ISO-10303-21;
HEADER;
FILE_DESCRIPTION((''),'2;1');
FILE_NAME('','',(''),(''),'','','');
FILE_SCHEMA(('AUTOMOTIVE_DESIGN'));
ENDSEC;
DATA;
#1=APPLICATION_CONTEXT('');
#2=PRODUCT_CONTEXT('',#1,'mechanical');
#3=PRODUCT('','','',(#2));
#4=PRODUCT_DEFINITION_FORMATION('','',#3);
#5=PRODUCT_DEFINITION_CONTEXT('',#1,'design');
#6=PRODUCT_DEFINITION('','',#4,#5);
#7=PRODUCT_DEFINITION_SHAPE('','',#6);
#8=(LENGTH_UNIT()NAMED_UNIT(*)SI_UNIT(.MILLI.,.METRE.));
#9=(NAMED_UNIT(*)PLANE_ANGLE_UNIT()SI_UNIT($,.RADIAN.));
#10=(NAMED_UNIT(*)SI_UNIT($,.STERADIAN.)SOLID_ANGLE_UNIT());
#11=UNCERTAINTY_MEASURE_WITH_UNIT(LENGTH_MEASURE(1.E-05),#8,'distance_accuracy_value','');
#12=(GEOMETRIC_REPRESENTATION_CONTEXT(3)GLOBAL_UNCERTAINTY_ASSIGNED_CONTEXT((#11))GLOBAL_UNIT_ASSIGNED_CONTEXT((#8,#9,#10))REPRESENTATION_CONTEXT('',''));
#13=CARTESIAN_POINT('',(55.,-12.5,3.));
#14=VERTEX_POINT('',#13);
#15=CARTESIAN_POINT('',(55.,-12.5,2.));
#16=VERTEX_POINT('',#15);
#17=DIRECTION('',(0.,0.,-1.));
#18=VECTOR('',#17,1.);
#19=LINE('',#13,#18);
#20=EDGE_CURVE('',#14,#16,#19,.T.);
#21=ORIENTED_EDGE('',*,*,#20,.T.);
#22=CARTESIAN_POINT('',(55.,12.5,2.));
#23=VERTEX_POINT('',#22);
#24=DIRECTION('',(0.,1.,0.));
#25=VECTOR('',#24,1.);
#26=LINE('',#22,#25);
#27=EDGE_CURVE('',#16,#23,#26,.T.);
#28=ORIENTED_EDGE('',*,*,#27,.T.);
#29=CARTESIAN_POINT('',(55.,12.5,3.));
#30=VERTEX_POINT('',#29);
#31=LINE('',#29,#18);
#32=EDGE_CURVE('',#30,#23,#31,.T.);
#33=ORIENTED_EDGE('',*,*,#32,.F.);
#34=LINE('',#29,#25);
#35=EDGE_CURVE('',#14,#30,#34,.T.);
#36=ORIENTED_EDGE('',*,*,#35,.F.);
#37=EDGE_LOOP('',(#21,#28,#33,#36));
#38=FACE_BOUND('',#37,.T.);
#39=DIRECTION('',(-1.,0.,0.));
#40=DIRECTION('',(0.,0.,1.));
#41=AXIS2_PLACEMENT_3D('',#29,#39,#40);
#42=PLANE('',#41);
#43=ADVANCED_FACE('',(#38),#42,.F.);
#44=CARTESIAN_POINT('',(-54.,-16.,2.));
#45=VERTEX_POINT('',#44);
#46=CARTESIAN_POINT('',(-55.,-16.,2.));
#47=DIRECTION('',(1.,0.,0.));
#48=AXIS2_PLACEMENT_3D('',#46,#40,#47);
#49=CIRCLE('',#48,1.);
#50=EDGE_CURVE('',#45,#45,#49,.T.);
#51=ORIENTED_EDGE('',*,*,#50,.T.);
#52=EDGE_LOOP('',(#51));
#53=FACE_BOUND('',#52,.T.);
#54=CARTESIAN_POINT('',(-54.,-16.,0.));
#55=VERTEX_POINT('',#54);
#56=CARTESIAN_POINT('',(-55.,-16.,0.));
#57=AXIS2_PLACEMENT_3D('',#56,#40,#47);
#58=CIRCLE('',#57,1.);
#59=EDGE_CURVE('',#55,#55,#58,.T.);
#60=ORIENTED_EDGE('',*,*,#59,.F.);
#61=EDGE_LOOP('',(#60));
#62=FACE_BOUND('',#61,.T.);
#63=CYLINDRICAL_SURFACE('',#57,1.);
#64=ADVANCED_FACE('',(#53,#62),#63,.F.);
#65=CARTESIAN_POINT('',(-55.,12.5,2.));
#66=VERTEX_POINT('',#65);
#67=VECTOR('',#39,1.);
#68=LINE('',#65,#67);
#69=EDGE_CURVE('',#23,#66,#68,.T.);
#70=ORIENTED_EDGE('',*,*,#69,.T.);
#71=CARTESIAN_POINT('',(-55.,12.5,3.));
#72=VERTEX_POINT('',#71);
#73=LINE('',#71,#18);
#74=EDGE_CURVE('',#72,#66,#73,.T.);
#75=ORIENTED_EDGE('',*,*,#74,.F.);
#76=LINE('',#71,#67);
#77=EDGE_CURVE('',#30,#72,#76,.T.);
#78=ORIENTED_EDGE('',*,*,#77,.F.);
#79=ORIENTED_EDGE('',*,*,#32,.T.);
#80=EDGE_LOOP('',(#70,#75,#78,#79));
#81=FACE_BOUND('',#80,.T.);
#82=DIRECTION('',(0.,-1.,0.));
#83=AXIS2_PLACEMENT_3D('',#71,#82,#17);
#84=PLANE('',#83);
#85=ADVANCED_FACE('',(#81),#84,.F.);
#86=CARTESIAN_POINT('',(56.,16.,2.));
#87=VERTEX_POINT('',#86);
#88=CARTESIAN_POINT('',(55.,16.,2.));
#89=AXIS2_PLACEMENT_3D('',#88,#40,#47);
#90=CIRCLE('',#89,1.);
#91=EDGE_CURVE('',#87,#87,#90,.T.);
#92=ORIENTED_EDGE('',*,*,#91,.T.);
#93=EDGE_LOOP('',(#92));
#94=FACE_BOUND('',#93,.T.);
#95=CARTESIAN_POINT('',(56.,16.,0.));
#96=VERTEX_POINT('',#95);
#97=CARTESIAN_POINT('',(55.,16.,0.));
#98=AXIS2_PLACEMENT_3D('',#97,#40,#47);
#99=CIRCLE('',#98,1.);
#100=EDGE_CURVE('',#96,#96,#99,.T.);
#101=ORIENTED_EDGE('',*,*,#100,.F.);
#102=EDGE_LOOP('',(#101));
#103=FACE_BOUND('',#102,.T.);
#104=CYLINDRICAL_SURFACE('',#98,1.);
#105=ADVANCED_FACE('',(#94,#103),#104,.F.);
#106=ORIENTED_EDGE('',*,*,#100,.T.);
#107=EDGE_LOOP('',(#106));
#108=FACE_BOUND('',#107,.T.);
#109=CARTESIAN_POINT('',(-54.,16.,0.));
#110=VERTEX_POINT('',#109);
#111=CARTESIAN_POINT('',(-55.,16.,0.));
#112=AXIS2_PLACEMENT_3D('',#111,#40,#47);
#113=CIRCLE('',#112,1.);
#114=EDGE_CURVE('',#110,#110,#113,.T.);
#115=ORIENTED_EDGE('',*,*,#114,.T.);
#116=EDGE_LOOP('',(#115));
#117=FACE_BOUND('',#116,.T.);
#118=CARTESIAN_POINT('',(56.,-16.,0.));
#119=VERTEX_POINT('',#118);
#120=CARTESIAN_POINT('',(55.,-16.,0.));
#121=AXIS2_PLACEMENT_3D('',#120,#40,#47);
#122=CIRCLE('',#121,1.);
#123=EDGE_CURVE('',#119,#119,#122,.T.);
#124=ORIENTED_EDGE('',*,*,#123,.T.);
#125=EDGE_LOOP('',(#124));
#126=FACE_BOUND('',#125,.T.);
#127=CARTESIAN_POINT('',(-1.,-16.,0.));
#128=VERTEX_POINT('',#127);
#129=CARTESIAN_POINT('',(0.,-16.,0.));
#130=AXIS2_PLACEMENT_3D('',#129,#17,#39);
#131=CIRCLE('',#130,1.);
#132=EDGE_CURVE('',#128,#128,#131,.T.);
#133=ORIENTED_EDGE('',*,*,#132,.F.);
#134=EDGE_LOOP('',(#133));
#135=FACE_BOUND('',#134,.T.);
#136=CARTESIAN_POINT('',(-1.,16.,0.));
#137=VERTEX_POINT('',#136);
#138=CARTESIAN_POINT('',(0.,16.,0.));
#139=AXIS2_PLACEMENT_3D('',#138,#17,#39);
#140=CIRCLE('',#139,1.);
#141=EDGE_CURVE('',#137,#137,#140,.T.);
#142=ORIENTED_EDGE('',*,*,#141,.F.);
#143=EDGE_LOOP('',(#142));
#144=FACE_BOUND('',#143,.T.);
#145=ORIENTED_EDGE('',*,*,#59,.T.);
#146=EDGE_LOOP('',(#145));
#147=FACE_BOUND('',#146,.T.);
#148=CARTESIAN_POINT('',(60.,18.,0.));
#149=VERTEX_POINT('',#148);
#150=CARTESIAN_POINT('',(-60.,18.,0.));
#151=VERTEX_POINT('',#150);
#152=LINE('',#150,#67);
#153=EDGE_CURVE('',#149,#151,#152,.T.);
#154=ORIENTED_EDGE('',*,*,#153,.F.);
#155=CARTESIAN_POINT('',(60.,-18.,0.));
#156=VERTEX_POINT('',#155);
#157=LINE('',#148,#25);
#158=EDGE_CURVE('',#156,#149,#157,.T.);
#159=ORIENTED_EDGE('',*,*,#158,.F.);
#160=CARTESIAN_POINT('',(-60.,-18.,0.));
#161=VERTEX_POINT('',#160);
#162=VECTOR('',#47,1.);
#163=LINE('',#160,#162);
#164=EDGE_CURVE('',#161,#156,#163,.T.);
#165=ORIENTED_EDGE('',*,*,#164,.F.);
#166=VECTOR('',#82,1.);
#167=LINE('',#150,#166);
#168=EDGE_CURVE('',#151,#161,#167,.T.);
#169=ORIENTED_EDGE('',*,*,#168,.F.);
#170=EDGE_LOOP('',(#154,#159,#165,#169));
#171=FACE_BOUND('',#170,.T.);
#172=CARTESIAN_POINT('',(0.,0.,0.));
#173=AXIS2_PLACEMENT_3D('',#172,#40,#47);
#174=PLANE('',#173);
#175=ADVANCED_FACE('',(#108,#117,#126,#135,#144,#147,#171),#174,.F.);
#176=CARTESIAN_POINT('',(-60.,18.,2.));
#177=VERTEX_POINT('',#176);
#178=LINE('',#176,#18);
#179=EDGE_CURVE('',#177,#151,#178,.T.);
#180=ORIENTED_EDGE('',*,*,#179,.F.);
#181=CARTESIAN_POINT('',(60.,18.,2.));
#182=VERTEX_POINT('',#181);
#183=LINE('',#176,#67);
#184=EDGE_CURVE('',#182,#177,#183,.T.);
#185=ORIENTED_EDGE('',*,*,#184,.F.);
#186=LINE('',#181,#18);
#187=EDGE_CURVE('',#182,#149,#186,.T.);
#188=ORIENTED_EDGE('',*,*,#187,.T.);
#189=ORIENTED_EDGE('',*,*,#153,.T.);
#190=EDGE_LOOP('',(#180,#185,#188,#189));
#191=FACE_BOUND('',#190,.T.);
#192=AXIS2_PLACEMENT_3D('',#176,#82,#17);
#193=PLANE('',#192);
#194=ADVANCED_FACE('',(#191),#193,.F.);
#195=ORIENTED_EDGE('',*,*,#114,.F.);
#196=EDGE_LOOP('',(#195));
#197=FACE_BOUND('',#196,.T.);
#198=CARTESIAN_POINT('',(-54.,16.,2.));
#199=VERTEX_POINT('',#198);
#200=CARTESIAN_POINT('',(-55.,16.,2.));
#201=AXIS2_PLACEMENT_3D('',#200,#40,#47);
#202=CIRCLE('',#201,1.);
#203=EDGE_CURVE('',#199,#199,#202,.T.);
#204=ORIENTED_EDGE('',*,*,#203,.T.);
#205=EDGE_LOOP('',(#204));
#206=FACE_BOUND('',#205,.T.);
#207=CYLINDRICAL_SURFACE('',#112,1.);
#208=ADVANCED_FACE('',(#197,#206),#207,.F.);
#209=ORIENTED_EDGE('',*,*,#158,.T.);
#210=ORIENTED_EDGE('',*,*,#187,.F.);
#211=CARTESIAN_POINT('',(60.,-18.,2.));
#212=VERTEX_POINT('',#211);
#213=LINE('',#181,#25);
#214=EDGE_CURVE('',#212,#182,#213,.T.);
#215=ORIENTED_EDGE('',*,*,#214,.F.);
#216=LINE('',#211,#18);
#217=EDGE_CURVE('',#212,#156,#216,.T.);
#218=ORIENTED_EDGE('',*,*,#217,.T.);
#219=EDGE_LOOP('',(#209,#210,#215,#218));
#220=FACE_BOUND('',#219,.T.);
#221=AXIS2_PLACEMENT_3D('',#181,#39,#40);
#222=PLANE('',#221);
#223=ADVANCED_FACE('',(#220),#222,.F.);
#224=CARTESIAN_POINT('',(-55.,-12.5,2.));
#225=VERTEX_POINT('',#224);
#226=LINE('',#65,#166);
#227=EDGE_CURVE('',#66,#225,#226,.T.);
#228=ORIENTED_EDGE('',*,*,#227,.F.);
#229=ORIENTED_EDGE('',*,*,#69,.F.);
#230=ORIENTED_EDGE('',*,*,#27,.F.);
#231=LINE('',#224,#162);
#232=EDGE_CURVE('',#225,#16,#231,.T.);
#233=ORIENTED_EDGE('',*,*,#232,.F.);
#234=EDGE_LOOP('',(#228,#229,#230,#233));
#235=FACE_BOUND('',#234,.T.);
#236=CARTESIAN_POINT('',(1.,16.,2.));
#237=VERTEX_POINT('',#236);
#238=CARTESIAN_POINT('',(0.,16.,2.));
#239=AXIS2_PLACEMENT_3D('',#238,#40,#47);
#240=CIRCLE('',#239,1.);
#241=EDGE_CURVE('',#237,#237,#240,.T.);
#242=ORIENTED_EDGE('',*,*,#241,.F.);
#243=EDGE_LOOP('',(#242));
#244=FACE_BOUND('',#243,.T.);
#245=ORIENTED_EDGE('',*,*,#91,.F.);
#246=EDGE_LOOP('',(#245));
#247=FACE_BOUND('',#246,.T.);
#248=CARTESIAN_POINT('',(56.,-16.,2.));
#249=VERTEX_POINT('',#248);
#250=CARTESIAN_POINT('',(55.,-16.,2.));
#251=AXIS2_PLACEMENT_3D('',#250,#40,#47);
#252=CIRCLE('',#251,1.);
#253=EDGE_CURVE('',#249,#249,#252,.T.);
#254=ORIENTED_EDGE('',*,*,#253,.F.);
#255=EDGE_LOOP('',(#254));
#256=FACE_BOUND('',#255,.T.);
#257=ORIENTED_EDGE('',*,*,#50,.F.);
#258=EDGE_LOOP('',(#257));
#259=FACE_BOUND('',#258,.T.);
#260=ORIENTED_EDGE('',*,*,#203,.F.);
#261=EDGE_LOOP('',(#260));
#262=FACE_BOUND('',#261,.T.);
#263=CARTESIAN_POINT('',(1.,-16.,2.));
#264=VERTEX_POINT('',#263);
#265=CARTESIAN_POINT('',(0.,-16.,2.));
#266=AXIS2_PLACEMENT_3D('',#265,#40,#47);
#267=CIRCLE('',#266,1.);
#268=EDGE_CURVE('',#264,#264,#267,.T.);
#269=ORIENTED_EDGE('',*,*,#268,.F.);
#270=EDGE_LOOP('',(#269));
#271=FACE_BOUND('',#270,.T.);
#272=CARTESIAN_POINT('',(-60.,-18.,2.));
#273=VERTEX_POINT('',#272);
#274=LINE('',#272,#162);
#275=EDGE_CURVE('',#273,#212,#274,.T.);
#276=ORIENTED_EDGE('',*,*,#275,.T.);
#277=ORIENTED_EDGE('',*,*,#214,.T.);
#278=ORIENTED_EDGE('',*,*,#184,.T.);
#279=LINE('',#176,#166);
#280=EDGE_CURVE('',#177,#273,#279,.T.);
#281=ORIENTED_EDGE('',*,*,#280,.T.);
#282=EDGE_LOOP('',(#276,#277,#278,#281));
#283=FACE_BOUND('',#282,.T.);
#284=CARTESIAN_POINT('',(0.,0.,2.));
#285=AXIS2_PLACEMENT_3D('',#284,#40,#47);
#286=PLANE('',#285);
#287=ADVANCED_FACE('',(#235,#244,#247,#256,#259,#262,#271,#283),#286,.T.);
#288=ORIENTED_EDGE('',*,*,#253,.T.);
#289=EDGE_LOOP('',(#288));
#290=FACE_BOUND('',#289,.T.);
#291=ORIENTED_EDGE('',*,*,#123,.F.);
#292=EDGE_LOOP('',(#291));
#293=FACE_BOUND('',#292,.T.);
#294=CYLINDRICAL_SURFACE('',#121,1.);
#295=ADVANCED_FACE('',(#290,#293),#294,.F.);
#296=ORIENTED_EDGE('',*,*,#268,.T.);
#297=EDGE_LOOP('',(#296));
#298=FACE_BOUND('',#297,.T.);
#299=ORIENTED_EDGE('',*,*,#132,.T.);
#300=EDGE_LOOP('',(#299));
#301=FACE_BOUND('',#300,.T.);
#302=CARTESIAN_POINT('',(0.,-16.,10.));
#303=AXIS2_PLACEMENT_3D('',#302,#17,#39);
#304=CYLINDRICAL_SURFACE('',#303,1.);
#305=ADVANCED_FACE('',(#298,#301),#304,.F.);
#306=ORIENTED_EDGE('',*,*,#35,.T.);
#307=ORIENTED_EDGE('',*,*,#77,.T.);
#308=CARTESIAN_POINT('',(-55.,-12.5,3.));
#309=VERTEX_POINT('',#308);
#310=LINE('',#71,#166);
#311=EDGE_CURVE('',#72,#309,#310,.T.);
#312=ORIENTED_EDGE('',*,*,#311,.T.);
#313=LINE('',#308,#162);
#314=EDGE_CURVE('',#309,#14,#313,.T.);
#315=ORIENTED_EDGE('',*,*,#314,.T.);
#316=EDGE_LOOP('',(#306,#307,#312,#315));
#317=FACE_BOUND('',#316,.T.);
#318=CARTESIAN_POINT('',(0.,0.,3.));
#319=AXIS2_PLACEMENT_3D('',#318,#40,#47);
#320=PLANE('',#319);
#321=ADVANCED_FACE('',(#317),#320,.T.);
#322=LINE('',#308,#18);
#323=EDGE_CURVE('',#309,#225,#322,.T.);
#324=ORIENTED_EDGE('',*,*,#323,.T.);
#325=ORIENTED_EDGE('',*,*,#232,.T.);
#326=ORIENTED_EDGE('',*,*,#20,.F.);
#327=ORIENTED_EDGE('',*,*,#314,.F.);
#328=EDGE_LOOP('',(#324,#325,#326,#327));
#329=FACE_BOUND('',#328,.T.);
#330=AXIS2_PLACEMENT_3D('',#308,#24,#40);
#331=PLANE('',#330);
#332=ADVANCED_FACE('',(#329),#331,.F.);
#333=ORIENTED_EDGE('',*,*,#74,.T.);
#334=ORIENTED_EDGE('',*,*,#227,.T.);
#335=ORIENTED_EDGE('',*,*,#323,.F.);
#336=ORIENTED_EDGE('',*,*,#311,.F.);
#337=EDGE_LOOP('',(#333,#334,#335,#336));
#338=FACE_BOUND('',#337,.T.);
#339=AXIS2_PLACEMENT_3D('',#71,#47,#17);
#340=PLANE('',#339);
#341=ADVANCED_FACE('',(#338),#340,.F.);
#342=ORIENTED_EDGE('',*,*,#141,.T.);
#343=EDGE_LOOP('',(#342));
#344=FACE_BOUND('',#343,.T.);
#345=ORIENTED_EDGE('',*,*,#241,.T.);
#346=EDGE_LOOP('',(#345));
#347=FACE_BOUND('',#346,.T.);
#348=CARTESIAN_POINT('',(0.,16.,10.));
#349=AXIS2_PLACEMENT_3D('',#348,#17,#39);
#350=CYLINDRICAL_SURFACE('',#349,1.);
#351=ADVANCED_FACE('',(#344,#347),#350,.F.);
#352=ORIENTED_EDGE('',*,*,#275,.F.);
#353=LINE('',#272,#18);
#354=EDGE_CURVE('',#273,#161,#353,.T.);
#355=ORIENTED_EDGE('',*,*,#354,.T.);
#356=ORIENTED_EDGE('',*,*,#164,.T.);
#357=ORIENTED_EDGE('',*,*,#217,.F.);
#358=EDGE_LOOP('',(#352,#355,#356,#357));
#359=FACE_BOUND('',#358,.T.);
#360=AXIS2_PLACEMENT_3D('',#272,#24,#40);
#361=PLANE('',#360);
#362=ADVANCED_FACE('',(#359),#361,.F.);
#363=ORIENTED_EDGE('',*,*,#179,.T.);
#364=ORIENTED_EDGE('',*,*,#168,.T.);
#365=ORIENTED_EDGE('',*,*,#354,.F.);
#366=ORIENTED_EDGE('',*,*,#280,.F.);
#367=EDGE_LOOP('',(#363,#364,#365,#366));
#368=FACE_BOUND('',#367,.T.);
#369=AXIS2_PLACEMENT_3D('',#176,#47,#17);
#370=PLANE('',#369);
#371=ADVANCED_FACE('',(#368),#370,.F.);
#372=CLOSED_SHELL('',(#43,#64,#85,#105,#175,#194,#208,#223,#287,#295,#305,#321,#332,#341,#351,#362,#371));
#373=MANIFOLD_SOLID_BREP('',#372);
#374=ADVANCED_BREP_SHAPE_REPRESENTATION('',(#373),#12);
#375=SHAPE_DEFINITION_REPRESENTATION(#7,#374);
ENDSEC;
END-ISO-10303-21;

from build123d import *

# Parameters (mm, degrees)
SKETCH1_W           = 120
SKETCH1_H           = 36
BOSS_EXTRUDE1_DEPTH = 2
SKETCH2_W           = 110
SKETCH2_H           = 25
BOSS_EXTRUDE2_DEPTH = 1
SKETCH3_R           = 1
CUT_EXTRUDE1_DEPTH  = 63.673758464
SKETCH4_R           = 1
CUT_EXTRUDE2_DEPTH  = 10


with BuildPart() as part:
    # Sketch1 → Boss-Extrude1 (new body)
    with BuildSketch(Plane.XY):
        Rectangle(SKETCH1_W, SKETCH1_H)
    extrude(amount=BOSS_EXTRUDE1_DEPTH)

    # Sketch2 → Boss-Extrude2 (add)
    with BuildSketch(Plane.XY.offset(2)):
        Rectangle(SKETCH2_W, SKETCH2_H)
    extrude(amount=BOSS_EXTRUDE2_DEPTH)

    # Sketch3 → Cut-Extrude1 (cut, through all)
    with BuildSketch(Plane.XY.offset(2)):
        with Locations((-55, 16)):
            Circle(SKETCH3_R)
        with Locations((-55, -16)):
            Circle(SKETCH3_R)
        with Locations((55, 16)):
            Circle(SKETCH3_R)
        with Locations((55, -16)):
            Circle(SKETCH3_R)
    extrude(amount=-CUT_EXTRUDE1_DEPTH, mode=Mode.SUBTRACT)

    # Sketch4 → Cut-Extrude2 (cut)
    with BuildSketch(Plane(origin=(0, 0, 0), x_dir=(-1, 0, 0), z_dir=(0, 0, -1))):
        with Locations((0, 16)):
            Circle(SKETCH4_R)
        with Locations((0, -16)):
            Circle(SKETCH4_R)
    extrude(amount=-CUT_EXTRUDE2_DEPTH, mode=Mode.SUBTRACT)


solid = part.part
